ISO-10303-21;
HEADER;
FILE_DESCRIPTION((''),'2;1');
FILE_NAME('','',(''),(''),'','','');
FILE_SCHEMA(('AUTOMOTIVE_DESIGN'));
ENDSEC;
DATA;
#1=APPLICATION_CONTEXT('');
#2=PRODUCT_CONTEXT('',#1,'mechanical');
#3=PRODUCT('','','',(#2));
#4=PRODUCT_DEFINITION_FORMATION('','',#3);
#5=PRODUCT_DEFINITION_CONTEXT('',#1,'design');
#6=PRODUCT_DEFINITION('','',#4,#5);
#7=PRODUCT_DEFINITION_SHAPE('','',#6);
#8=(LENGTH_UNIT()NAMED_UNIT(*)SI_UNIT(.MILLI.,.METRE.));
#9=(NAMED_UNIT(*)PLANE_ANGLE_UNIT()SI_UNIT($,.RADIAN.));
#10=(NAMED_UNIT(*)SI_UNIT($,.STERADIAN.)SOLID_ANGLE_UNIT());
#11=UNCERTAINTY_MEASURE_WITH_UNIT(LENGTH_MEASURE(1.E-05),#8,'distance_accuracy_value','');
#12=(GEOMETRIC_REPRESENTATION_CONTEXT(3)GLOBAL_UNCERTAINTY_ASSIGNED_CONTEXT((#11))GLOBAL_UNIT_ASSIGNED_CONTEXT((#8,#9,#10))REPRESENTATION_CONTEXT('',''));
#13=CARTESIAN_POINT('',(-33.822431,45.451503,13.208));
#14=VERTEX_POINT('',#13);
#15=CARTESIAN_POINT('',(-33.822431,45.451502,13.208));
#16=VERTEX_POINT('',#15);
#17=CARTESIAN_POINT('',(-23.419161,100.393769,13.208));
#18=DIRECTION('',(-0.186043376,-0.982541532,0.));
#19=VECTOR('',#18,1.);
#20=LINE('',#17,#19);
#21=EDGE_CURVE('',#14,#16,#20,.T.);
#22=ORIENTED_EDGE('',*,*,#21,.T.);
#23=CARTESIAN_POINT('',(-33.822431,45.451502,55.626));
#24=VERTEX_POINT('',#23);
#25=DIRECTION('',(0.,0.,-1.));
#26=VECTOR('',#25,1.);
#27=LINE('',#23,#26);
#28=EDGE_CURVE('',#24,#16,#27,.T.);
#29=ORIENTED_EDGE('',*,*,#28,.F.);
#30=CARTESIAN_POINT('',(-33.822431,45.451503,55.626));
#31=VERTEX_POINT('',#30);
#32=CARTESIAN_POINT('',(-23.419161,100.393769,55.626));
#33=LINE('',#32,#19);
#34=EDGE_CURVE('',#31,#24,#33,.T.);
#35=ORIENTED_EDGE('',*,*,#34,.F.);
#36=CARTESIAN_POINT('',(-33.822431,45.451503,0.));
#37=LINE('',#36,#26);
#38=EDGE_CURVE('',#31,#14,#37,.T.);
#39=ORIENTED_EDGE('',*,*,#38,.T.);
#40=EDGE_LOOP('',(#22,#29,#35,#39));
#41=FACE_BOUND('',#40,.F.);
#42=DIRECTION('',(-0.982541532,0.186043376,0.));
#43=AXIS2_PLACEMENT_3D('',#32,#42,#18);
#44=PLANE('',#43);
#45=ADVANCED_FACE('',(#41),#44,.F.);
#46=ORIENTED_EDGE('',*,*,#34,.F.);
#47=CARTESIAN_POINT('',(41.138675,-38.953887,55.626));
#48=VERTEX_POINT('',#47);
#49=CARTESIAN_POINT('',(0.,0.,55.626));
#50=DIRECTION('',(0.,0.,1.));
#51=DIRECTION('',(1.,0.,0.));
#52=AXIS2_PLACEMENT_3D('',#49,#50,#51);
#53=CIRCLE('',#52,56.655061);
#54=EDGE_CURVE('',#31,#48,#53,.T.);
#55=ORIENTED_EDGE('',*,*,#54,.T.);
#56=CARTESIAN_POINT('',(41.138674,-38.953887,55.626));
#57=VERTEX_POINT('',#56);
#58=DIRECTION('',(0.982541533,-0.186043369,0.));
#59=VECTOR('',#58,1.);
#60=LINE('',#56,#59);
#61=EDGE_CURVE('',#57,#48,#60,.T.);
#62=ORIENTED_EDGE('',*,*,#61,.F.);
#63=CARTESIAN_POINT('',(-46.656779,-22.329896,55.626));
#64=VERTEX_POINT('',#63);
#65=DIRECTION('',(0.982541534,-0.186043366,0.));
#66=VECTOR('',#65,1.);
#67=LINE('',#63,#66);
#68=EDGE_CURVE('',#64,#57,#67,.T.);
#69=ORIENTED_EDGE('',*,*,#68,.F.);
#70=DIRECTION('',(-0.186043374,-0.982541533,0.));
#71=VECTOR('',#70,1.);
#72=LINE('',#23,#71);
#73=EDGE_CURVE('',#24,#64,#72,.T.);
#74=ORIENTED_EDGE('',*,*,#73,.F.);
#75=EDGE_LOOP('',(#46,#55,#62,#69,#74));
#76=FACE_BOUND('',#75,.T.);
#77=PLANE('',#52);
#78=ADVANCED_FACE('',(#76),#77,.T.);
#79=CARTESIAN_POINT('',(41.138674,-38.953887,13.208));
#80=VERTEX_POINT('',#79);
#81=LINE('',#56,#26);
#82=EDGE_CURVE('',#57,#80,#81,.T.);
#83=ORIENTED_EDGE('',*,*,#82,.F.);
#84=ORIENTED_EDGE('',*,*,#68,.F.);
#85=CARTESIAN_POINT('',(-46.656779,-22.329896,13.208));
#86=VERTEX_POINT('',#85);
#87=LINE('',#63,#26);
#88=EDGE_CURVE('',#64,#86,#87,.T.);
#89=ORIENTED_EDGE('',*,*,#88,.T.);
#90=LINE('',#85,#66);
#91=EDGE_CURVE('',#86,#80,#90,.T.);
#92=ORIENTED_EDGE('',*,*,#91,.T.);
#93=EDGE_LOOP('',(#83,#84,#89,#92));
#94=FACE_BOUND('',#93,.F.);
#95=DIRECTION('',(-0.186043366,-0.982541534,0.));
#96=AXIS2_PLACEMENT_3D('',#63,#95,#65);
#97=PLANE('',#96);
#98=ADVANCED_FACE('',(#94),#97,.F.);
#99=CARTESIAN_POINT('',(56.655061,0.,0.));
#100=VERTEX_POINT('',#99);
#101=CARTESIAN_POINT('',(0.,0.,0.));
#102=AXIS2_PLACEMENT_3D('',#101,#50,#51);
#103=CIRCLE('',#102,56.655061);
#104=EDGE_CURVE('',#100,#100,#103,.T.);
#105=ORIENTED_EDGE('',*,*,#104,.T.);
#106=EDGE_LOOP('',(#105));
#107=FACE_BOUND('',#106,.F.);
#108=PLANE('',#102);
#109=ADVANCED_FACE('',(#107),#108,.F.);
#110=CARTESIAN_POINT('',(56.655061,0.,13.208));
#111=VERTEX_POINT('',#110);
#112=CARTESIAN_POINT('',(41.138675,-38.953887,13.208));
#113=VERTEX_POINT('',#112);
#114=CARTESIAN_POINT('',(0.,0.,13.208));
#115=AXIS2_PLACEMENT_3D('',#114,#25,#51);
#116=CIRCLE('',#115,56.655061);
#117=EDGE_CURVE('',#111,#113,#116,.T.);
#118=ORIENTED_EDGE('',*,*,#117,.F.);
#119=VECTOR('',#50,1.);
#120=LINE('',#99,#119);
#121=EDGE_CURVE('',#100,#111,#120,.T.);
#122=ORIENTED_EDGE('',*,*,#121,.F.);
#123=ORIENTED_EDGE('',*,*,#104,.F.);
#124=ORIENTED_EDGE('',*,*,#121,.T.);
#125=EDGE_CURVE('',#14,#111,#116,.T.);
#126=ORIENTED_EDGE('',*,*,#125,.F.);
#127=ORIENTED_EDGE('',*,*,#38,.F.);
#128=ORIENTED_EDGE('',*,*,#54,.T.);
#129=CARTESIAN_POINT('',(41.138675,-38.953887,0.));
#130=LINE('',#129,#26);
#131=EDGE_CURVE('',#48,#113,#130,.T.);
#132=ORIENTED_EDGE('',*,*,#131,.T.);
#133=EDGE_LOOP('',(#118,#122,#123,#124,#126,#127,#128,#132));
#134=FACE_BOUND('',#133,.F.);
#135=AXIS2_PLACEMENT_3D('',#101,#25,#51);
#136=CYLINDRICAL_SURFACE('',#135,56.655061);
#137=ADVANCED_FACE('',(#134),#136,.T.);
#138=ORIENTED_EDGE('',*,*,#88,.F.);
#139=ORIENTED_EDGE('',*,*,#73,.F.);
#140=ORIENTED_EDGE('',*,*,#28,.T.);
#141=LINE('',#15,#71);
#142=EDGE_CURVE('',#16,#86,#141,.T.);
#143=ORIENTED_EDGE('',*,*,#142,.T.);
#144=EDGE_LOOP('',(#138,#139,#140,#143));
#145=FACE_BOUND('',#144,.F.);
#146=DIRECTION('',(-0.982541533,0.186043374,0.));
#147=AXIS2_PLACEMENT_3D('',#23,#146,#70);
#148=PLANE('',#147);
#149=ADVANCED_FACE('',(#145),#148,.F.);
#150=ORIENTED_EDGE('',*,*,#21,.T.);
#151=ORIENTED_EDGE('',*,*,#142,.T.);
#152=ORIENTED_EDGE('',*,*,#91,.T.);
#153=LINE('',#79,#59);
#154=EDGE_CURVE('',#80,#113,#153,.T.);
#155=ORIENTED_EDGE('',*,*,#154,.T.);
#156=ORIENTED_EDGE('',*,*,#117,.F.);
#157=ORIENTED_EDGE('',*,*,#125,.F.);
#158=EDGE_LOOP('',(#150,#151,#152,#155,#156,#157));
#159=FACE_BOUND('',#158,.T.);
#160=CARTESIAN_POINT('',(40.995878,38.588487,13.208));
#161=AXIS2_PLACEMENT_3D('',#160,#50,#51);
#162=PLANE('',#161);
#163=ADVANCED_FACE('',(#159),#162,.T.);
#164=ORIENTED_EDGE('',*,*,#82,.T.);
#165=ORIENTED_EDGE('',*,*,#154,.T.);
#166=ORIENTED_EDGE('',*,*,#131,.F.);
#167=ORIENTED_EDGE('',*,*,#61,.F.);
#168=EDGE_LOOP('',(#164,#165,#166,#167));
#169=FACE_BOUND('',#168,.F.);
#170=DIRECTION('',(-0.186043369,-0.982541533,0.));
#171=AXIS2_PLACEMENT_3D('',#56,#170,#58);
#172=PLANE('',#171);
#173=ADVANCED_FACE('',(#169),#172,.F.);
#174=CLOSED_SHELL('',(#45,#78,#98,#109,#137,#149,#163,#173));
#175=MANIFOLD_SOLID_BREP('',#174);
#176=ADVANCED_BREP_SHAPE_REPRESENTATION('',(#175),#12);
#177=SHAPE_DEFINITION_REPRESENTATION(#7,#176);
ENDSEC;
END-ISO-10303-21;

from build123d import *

# Parameters (mm, degrees)
F0_R     = 56.655061
F1_DEPTH = 55.626
F3_DEPTH = 42.418


with BuildPart() as f1:
    # F0 (on Top) → F1 (new body)
    with BuildSketch(Plane.XY):
        Circle(F0_R)
    extrude(amount=F1_DEPTH)

    # F2 (on face) → F3 (cut)
    with BuildSketch(Plane.XY.offset(55.626)):
        with BuildLine():
            Line((41.138674, -38.953887), (76.066886, -45.567513))
            Line((76.066886, -45.567513), (99.304504, 77.156152))
            Line((99.304504, 77.156152), (-23.419161, 100.393769))
            Line((-23.419161, 100.393769), (-33.822431, 45.451502))
            ThreePointArc((-33.822431, 45.451502), (25.432106, 50.626119), (56.655061, 0))
            ThreePointArc((56.655061, 0), (52.633212, -20.965231), (41.138674, -38.953887))
        make_face()
        with BuildLine():
            Line((-46.656779, -22.329896), (41.138674, -38.953887))
            ThreePointArc((41.138674, -38.953887), (52.633212, -20.965231), (56.655061, 0))
            ThreePointArc((56.655061, 0), (25.432106, 50.626119), (-33.822431, 45.451502))
            Line((-33.822431, 45.451502), (-46.656779, -22.329896))
        make_face()
    extrude(amount=-F3_DEPTH, mode=Mode.SUBTRACT)


solid = f1.part
